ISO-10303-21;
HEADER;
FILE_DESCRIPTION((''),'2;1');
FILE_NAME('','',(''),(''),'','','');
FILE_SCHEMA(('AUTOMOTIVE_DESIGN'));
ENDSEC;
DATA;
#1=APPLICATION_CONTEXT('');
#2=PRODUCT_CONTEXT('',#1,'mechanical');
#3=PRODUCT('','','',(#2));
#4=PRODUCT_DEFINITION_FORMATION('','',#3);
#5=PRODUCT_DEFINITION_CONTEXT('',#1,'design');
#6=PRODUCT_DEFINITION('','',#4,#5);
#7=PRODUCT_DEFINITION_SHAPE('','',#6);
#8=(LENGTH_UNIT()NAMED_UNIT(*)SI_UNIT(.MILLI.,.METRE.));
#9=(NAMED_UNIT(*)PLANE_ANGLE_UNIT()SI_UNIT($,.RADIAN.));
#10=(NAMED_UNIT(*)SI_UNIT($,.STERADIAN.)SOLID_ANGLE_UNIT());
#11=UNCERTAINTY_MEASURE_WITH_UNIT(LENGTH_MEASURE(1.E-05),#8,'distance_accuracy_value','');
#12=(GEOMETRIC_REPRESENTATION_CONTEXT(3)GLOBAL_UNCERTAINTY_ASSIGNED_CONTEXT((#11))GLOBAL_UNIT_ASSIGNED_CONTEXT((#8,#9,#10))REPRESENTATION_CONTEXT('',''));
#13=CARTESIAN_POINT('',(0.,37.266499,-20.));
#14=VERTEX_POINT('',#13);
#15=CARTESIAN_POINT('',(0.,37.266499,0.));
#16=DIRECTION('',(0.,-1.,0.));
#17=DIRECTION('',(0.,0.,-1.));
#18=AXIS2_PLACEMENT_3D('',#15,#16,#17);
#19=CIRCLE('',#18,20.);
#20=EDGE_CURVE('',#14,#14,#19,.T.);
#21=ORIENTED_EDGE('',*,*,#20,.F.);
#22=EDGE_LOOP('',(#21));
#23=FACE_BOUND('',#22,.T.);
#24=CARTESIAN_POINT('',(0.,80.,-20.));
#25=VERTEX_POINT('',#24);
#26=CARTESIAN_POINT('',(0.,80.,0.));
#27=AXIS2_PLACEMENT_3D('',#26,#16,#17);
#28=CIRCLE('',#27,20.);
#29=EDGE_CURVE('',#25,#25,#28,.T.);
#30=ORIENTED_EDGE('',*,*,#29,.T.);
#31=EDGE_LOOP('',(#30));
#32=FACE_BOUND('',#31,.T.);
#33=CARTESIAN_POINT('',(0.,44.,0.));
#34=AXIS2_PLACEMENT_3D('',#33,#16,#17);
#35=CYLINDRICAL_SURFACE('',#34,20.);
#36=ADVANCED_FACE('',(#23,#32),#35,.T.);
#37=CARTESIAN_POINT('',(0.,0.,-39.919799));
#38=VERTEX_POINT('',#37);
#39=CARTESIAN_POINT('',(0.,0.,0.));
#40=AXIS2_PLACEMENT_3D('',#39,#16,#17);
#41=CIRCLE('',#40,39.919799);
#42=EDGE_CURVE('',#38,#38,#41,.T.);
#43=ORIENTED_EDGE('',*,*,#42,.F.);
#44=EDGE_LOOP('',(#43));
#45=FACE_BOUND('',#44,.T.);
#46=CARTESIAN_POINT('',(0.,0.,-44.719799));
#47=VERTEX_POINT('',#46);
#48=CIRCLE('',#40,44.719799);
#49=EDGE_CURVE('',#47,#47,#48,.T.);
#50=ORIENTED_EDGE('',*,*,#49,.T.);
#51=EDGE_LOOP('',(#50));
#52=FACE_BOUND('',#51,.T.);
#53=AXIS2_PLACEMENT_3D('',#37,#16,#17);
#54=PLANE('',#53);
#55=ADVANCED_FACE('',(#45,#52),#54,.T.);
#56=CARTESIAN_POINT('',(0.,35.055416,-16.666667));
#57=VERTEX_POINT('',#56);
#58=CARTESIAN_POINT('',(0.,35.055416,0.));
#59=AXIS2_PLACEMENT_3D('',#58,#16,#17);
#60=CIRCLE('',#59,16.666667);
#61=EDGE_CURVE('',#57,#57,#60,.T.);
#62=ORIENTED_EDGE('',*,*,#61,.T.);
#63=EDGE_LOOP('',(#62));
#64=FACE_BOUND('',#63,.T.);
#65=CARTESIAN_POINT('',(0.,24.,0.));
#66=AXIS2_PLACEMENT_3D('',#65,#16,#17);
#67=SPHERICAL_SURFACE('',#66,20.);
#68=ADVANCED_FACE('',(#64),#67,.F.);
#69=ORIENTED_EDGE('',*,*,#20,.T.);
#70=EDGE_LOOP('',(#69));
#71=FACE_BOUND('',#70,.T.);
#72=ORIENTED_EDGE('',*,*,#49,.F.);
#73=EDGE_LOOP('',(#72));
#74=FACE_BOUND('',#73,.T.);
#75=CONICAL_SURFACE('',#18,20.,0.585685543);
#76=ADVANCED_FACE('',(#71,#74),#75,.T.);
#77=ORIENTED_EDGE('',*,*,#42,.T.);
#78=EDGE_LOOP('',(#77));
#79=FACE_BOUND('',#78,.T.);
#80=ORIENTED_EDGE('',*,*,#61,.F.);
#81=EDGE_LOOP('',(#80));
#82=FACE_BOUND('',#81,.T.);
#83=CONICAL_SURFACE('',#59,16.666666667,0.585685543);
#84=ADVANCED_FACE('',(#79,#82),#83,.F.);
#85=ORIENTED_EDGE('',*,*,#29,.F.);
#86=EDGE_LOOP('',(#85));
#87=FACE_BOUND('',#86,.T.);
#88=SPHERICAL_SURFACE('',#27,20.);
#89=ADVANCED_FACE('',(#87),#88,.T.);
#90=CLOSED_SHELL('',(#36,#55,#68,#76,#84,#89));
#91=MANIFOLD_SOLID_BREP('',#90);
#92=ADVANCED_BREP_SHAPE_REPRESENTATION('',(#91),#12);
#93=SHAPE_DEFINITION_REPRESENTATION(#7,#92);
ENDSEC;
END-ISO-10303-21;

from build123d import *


with BuildPart() as part:
    # 草图1 → 旋转3 (revolve)
    with BuildSketch(Plane(origin=(0, 0, 0), x_dir=(0, 0, -1), z_dir=(1, 0, 0))):
        with BuildLine():
            Line((20, 37.266499161), (44.719798994, 0))
            Line((44.719798994, 0), (39.919798994, 0))
            Line((39.919798994, 0), (16.666666667, 35.055415968))
            ThreePointArc((16.666666667, 35.055415968), (9.457581103, 41.622546912), (0, 44))
            Line((0, 44), (0, 100))
            ThreePointArc((0, 100), (14.142135624, 94.142135624), (20, 80))
            Line((20, 80), (20, 37.266499161))
        make_face()
    revolve(axis=Axis((0, 44, 0), (0, 1, 0)))


solid = part.part
